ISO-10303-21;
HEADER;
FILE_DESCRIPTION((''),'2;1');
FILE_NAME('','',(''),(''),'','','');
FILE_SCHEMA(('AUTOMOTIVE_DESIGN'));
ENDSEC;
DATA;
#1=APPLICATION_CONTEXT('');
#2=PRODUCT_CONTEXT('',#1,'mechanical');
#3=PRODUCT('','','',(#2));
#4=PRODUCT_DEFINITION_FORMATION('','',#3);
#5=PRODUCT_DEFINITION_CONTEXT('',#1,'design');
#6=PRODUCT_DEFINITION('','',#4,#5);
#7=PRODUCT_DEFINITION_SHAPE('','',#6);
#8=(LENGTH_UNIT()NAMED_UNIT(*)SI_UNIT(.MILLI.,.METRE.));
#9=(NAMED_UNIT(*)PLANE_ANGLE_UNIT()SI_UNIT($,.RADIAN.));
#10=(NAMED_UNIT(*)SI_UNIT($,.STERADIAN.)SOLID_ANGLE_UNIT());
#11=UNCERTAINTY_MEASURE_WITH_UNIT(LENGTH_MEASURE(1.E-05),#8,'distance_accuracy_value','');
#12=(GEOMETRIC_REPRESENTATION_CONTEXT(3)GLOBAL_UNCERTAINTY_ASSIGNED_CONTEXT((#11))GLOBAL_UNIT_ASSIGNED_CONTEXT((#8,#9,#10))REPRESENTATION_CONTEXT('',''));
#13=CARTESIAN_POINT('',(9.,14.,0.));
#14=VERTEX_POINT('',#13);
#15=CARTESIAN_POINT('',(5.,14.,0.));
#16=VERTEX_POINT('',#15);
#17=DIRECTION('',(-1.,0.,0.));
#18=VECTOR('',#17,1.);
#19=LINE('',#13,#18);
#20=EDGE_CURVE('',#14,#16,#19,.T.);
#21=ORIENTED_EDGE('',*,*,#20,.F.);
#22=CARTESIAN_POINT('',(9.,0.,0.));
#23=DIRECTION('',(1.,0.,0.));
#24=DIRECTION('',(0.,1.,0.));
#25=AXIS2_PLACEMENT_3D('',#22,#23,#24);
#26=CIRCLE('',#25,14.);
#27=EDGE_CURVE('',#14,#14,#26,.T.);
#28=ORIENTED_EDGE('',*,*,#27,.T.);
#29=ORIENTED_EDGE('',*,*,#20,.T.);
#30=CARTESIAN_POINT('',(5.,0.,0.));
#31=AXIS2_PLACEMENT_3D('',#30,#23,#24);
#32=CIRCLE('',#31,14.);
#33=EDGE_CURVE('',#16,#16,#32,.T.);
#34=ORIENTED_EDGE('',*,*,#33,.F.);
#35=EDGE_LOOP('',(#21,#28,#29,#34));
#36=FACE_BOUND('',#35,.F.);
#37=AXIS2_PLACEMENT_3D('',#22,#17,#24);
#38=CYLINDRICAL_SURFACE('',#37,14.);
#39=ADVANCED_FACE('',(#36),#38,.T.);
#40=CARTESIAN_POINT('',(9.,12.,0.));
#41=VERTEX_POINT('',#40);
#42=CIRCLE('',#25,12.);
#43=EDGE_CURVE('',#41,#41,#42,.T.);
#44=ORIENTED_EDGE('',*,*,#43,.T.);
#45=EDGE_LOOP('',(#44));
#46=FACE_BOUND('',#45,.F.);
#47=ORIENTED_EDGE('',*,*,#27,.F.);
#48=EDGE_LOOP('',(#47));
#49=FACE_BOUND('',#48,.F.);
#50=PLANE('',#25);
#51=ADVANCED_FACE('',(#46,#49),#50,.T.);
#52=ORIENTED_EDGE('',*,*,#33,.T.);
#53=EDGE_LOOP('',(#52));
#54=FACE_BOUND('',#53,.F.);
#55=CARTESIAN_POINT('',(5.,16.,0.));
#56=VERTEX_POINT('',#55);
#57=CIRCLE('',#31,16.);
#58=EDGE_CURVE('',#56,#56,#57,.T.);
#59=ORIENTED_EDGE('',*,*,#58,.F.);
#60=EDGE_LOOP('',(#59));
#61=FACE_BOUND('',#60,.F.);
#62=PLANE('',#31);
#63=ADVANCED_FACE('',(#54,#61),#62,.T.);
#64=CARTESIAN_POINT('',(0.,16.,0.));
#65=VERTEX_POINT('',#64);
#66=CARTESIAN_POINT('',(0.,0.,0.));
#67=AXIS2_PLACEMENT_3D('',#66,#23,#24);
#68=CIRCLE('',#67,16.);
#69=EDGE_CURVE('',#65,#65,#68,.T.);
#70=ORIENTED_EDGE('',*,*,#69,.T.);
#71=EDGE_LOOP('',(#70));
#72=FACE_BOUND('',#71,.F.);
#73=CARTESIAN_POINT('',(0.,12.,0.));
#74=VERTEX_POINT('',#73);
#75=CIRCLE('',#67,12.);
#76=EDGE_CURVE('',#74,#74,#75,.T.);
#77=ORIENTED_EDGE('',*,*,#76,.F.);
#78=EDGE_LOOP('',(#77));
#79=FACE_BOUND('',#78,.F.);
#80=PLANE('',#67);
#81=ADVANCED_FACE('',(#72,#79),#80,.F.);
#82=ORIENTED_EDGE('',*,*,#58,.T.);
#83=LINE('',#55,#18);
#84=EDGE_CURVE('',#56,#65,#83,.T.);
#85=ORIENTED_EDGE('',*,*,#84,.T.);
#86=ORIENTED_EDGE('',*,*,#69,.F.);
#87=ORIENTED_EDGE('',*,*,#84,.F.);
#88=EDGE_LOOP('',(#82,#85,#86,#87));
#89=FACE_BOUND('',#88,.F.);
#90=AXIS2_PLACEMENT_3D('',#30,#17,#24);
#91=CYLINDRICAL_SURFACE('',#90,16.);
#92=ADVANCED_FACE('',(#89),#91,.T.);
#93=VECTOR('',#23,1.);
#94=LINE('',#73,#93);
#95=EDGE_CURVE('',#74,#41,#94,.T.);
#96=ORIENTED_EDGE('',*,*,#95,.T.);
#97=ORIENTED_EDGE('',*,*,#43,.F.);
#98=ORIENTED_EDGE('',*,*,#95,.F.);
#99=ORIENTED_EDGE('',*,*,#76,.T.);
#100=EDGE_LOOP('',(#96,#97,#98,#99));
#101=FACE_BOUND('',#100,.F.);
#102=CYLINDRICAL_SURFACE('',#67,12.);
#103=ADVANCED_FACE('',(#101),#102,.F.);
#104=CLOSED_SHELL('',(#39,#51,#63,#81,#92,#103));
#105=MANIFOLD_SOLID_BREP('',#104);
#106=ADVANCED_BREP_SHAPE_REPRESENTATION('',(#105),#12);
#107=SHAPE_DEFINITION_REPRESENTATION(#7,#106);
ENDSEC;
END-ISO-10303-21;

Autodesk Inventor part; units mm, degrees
ref_plane "YZ Plane" through (0, 0, 0) normal (1, 0, 0) x (0, 1, 0)
ref_plane "XZ Plane" through (0, 0, 0) normal (0, 1, 0) x (-1, 0, 0)
ref_plane "XY Plane" through (0, 0, 0) normal (0, 0, 1) x (1, 0, 0)
sketch "Sketch1" plane through (0, 0, 0) normal (0, 0, 1) x (1, 0, 0)
  line L0 (0, 0) -> (100, 0)
  line L1 (0, 12) -> (9, 12)
  line L2 (9, 12) -> (9, 14)
  line L3 (9, 14) -> (5, 14)
  line L4 (5, 14) -> (5, 16)
  line L5 (5, 16) -> (0, 16)
  line L6 (0, 16) -> (0, 12)
  dimension "d0" = 100
  dimension "d1" = 32
  dimension "d2" = 9
  dimension "d3" = 4
  dimension "d4" = 28
  dimension "d5" = 24
revolve "Revolution1" add sketch "Sketch1" angle 360 about axis through (0, 0, 0) along (1, 0, 0)
properties part number "Mocowanie uszczelki tyl" material "Brass, Soft Yellow"
